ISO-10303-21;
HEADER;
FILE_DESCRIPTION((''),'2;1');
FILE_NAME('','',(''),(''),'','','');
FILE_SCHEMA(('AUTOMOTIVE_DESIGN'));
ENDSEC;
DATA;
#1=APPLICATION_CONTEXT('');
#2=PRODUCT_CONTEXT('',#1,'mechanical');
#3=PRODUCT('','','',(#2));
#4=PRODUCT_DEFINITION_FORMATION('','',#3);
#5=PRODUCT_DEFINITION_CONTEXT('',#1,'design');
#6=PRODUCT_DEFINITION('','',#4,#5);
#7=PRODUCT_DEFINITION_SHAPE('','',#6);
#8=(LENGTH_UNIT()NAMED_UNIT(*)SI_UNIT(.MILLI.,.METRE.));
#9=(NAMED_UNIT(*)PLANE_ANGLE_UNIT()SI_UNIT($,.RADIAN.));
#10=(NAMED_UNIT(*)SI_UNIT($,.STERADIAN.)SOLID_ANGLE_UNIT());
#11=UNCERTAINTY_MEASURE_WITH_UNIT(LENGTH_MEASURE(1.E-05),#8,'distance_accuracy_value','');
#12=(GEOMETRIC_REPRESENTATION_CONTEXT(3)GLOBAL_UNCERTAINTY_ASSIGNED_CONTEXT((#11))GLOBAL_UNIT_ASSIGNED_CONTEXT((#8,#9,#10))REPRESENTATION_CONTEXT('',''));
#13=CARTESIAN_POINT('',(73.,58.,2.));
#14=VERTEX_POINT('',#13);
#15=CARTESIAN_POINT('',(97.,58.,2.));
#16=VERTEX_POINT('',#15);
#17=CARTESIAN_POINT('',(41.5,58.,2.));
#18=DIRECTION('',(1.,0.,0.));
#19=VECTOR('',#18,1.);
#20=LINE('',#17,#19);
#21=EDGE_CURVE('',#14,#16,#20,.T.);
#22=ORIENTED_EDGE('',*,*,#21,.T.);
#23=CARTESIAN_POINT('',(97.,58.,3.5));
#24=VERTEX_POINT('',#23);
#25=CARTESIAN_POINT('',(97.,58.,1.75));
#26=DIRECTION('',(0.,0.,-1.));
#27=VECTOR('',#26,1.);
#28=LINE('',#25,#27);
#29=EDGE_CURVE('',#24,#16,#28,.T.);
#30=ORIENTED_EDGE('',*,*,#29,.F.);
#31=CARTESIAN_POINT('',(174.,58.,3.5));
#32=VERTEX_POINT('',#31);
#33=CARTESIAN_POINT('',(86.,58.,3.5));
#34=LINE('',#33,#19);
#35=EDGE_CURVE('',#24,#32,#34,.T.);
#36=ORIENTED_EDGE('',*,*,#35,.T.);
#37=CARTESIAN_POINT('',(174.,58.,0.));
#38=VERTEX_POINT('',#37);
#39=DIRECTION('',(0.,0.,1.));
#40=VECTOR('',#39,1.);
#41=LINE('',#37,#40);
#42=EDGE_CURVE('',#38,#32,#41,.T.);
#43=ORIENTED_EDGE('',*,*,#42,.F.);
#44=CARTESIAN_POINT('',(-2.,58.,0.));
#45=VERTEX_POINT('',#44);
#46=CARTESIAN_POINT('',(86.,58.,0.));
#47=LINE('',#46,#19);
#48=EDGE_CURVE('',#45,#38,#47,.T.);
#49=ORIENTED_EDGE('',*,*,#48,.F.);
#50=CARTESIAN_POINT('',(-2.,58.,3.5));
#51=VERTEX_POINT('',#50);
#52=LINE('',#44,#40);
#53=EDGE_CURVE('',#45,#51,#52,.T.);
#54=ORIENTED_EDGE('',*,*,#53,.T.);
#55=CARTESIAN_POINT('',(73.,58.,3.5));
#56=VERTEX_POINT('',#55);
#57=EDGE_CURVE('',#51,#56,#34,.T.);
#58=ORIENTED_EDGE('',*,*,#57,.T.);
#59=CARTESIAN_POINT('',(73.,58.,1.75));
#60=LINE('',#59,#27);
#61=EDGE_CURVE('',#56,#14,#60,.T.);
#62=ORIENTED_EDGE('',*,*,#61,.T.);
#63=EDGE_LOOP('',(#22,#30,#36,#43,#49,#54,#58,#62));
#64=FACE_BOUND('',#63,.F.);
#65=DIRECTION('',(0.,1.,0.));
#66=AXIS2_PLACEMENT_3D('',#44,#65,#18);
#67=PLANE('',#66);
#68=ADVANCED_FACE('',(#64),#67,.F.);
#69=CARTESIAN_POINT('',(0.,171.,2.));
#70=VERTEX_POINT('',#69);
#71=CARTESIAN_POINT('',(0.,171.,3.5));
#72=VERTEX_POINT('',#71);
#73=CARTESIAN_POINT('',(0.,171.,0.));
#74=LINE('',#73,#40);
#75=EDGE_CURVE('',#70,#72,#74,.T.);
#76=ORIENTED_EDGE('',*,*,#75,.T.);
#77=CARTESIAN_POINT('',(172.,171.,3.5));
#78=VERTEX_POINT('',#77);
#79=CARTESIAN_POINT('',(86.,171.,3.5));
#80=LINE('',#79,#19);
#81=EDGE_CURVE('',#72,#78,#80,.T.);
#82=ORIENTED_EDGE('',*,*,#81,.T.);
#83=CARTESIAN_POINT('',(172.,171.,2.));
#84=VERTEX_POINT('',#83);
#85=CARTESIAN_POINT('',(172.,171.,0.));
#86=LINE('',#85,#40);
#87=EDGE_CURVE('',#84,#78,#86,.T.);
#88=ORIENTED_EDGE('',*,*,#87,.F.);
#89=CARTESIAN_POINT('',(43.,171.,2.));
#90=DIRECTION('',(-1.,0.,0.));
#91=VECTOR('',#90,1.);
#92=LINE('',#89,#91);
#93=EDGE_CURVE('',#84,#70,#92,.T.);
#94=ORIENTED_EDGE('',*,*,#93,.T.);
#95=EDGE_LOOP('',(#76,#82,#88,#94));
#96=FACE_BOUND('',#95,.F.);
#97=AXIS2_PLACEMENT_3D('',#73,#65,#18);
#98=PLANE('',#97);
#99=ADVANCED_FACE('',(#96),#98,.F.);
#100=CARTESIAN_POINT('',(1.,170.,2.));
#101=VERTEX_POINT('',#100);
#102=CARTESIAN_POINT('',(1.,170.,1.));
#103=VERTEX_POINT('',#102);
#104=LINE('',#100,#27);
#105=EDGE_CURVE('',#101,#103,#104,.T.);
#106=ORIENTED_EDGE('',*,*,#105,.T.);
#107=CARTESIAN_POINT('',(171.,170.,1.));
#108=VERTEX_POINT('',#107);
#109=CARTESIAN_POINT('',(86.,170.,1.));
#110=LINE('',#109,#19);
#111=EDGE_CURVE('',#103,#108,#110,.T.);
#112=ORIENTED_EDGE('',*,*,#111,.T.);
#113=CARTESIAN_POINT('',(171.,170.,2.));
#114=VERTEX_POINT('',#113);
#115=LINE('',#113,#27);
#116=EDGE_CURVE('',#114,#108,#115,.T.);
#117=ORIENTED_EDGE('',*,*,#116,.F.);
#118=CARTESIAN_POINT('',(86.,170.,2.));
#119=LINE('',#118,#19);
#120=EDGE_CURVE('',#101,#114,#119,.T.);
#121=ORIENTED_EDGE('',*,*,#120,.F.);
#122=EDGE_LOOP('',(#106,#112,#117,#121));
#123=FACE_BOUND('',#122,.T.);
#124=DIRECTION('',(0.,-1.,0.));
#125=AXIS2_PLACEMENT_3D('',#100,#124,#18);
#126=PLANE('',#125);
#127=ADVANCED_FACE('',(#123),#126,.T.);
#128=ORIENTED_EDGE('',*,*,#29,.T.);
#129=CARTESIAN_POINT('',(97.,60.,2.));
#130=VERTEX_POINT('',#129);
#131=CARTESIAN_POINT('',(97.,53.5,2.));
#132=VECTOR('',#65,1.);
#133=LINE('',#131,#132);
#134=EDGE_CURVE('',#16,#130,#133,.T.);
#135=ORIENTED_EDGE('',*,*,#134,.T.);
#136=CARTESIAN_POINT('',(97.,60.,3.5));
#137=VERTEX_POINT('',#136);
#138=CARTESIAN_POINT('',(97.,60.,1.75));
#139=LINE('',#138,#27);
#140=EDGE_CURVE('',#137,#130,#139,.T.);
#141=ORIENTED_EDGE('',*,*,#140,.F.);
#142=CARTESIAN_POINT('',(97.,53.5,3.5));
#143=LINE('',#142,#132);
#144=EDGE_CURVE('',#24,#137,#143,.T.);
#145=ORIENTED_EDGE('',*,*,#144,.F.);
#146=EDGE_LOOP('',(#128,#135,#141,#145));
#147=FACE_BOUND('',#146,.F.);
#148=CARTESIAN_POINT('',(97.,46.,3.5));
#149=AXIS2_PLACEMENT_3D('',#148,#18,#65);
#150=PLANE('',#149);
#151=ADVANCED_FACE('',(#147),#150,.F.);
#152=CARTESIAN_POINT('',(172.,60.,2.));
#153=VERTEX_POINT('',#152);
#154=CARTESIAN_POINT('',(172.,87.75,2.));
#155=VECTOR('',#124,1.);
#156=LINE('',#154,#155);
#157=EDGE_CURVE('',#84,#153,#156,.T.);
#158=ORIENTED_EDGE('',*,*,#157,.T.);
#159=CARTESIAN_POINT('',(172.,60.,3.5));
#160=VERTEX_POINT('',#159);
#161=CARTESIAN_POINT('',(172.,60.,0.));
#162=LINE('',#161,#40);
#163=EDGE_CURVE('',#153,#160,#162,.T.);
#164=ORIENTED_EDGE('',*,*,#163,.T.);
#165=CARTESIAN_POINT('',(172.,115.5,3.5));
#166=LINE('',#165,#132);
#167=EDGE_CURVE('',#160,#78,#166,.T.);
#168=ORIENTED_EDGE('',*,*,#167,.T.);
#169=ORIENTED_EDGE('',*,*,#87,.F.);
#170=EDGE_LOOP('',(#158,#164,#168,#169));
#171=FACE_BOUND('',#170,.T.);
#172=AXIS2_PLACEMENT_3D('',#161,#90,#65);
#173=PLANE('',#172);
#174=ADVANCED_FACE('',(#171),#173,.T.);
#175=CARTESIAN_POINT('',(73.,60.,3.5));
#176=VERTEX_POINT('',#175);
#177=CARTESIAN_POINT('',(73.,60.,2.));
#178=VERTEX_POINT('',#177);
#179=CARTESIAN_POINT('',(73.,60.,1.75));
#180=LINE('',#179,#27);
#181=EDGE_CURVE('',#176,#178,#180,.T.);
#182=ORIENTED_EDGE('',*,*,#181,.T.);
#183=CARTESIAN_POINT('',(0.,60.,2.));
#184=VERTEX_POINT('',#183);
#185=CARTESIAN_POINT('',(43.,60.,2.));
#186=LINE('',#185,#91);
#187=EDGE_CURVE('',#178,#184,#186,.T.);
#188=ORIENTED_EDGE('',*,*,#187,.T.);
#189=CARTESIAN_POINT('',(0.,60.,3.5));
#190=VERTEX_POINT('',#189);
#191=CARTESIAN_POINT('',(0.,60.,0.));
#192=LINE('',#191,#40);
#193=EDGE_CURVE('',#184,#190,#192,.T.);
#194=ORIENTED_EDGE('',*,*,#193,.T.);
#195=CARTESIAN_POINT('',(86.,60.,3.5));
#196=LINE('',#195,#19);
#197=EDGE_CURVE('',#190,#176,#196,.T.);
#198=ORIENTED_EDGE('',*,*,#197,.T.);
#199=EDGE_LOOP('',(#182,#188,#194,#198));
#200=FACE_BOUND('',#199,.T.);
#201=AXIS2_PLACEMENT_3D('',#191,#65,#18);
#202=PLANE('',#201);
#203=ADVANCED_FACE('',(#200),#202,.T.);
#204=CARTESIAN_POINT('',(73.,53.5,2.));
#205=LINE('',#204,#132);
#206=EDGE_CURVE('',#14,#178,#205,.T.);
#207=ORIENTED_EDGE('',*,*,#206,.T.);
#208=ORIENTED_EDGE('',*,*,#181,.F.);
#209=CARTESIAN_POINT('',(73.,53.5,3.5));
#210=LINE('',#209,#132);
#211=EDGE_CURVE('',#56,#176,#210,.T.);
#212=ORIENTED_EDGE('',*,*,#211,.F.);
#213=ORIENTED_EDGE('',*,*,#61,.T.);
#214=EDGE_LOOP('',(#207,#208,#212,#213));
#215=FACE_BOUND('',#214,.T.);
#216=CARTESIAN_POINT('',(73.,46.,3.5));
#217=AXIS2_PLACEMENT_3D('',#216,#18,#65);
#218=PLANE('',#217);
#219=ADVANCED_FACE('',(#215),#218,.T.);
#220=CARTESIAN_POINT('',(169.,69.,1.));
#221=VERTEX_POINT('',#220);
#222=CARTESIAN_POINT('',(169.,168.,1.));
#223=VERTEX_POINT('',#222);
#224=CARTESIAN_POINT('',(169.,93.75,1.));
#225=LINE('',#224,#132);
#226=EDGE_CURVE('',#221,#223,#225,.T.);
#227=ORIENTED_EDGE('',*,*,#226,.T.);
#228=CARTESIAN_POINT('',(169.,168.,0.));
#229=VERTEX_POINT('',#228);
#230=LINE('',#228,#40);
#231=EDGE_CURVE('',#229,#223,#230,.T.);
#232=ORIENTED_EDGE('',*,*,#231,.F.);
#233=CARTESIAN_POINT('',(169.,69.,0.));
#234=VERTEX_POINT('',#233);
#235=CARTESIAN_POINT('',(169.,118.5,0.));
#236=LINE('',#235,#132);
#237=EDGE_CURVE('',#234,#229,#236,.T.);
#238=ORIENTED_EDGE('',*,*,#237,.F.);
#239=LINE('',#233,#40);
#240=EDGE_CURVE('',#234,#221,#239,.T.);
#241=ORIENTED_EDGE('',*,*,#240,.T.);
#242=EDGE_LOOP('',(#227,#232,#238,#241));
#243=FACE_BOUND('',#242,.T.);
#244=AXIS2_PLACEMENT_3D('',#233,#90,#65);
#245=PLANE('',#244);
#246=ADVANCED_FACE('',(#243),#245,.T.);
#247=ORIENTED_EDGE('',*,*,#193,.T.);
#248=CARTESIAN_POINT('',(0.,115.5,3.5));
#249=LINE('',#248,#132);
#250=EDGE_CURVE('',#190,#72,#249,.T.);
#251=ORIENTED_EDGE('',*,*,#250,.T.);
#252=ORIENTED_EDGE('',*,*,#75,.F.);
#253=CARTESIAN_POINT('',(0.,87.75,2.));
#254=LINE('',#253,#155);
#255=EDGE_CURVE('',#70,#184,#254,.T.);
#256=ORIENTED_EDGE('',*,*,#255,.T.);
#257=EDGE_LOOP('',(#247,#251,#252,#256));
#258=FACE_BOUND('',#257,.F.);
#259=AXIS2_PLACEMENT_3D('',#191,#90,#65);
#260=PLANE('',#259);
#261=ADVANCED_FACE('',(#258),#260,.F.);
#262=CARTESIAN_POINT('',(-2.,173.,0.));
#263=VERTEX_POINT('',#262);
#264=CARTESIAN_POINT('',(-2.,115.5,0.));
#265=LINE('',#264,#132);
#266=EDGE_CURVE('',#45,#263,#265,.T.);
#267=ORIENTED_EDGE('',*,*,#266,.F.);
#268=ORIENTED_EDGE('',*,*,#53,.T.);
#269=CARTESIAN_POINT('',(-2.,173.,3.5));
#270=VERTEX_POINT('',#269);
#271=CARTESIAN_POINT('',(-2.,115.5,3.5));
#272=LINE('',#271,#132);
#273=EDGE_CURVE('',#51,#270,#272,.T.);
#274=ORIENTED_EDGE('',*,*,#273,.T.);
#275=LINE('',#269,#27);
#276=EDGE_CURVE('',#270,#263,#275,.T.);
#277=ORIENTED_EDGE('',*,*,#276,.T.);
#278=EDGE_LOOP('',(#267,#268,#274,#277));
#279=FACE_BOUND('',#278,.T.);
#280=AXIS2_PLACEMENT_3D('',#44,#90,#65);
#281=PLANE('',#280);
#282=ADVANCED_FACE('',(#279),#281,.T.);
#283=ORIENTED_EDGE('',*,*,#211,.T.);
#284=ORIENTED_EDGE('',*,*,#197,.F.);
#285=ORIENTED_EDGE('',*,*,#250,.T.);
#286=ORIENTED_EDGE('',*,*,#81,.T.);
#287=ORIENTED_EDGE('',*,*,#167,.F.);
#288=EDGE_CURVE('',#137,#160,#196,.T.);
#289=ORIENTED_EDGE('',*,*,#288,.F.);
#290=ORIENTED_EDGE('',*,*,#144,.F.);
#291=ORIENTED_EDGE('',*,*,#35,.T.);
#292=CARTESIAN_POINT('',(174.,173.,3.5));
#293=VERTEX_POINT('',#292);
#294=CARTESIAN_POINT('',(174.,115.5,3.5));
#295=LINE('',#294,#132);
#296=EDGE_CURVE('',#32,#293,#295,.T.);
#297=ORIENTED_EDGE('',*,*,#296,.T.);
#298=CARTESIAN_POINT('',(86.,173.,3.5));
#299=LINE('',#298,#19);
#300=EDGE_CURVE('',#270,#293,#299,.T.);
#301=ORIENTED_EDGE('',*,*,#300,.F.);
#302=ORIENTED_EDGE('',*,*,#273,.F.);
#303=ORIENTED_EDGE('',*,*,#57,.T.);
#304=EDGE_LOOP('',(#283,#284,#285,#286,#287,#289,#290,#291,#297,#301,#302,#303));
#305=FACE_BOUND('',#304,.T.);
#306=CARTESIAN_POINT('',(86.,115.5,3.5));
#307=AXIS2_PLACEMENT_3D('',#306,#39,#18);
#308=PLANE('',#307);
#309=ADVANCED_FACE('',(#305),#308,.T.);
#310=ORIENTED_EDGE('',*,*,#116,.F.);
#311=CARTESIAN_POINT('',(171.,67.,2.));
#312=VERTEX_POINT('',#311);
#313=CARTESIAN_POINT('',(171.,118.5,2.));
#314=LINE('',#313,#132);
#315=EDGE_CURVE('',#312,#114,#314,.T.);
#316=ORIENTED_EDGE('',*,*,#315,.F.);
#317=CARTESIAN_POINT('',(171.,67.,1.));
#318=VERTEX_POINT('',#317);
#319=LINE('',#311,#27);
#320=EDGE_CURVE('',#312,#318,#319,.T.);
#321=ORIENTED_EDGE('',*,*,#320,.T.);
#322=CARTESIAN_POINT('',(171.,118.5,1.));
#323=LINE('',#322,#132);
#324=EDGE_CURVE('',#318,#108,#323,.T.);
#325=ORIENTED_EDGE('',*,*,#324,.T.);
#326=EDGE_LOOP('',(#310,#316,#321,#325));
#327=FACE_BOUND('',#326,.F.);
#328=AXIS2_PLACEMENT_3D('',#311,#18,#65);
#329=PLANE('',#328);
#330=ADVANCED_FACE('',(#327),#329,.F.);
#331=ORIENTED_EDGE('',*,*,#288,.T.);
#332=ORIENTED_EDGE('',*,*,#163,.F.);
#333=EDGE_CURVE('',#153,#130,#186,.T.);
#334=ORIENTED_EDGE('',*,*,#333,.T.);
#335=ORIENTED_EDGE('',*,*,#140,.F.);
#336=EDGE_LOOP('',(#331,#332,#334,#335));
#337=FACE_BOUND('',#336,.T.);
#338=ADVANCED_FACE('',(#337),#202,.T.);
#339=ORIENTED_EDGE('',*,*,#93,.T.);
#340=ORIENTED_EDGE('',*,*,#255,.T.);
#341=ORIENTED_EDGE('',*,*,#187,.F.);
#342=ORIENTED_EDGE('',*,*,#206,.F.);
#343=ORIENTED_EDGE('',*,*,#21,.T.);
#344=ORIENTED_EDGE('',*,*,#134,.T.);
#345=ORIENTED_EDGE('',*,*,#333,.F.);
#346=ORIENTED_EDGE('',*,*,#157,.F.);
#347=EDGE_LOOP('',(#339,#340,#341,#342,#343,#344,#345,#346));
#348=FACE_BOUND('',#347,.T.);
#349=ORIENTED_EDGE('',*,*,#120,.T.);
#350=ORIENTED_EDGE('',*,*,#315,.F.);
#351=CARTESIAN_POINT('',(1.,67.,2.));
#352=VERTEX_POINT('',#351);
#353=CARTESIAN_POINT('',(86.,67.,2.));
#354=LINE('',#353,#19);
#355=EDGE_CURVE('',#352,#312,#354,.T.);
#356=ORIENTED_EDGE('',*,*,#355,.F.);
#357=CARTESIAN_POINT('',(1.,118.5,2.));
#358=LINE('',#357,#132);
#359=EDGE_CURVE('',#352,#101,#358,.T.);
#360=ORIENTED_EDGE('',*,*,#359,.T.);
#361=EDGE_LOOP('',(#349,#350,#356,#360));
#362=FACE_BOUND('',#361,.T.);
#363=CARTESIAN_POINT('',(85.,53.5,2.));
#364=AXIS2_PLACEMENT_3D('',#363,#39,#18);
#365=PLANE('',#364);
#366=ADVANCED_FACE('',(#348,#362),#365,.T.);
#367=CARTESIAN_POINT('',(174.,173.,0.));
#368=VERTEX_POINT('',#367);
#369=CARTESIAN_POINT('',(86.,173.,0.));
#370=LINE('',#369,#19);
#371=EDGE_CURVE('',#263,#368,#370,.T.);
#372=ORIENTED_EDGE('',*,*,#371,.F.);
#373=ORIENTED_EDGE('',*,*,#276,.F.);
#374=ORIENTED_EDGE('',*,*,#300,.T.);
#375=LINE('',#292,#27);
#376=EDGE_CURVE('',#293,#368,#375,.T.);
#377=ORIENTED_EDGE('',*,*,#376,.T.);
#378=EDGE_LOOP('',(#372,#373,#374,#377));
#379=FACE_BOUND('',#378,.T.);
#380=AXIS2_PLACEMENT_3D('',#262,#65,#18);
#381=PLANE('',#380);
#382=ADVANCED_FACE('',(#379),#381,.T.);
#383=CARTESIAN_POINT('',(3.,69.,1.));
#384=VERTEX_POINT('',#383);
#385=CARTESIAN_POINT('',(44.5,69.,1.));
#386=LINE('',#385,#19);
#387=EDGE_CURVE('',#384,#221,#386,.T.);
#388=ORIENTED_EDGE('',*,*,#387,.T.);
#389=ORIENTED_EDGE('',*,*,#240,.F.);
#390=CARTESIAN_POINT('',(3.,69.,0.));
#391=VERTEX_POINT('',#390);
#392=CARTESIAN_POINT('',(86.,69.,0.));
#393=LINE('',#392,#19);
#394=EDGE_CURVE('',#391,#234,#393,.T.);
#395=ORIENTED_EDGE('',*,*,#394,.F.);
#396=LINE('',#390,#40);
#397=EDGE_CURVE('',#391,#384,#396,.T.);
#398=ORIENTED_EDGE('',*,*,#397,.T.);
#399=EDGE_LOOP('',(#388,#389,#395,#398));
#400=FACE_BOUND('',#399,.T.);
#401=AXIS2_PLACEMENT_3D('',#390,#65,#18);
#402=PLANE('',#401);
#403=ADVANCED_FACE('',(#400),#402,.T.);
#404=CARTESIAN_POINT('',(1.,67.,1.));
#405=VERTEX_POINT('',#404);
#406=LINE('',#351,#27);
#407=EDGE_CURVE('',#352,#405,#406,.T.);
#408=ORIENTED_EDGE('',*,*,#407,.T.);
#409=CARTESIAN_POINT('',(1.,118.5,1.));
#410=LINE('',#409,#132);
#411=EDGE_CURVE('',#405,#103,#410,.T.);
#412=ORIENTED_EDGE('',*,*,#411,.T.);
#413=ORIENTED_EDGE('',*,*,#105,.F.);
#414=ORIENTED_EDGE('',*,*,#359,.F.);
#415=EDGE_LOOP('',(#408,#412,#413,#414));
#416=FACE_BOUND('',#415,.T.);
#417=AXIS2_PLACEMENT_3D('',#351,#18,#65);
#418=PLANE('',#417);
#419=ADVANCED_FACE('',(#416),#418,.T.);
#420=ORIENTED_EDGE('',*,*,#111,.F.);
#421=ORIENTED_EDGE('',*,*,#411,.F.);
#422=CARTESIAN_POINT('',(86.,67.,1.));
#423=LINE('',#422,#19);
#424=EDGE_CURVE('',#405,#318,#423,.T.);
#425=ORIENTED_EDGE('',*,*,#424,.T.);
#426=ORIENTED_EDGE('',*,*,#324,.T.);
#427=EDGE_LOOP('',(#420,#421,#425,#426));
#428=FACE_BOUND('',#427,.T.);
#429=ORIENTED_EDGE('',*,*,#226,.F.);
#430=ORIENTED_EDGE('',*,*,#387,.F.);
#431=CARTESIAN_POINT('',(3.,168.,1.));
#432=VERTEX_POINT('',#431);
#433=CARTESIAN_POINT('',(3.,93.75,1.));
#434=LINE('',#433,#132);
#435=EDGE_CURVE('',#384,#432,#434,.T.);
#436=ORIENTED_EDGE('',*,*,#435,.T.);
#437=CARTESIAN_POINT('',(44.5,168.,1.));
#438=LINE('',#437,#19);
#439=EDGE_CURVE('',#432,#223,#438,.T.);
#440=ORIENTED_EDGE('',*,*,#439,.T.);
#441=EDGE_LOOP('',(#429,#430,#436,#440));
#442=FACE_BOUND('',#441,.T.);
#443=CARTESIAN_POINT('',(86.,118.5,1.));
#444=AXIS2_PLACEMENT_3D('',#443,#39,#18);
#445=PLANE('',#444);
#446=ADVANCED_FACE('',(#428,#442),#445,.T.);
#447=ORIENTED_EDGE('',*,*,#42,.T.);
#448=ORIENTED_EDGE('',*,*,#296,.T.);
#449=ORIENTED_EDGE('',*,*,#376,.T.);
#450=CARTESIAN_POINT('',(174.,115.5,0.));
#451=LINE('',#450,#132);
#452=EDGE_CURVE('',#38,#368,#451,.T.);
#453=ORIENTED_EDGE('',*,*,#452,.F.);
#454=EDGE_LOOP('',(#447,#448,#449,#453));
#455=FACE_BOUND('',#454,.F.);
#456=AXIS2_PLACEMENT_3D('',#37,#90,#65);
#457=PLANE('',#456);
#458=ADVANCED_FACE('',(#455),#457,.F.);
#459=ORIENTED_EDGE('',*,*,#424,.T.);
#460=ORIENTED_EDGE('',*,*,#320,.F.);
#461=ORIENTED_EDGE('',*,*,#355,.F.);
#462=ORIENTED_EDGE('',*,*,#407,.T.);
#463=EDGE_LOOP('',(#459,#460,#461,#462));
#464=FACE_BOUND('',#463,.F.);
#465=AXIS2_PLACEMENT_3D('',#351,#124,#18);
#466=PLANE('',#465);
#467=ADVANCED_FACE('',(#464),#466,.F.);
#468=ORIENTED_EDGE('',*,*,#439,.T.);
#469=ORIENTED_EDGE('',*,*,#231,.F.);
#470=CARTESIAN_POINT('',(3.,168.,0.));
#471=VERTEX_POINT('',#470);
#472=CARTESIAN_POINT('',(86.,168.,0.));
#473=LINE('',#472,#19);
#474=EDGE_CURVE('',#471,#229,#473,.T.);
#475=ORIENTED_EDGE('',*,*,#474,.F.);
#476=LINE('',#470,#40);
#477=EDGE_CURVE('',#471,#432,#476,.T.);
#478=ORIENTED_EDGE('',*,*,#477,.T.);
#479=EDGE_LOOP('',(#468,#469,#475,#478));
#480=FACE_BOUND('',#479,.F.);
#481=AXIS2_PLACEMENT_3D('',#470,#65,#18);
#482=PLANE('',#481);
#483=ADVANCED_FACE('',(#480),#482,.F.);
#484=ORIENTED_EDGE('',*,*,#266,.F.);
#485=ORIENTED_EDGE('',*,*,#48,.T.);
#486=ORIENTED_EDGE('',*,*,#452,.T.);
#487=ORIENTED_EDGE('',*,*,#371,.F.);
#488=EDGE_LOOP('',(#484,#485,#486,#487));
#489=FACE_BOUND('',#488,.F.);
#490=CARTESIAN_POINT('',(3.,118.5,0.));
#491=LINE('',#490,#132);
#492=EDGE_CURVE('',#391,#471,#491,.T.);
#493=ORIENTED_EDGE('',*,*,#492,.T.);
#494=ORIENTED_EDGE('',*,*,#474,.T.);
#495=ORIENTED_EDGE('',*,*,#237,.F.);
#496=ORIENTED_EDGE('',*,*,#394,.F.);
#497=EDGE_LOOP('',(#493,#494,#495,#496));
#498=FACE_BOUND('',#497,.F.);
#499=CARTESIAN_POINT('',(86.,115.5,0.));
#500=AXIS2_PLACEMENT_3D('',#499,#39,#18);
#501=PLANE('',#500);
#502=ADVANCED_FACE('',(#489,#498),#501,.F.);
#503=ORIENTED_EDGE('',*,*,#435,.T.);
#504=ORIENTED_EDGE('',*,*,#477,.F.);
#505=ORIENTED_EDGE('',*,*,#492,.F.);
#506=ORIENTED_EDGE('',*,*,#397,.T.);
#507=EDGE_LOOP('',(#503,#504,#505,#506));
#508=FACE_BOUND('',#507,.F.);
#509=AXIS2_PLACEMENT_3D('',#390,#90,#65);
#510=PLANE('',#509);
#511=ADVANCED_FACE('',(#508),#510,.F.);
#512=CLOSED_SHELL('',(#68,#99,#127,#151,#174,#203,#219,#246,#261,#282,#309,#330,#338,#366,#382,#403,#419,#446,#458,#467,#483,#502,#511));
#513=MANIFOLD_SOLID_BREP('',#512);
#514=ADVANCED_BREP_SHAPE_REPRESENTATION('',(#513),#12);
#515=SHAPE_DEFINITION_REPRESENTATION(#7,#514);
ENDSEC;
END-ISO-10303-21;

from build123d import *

# Parameters (mm, degrees)
SKETCH025_W     = 176
SKETCH025_H     = 115
SKETCH025_W_2   = 166
SKETCH025_H_2   = 99
PAD009_DEPTH    = 2
SKETCH026_W     = 170
SKETCH026_H     = 103
POCKET012_DEPTH = 1
SKETCH027_W     = 176
SKETCH027_H     = 115
SKETCH027_W_2   = 172
SKETCH027_H_2   = 111
PAD010_DEPTH    = 3.5
SKETCH028_W     = 24
SKETCH028_H     = 15
POCKET013_DEPTH = 1.5


with BuildPart() as part:
    # Sketch025 → Pad009 (new body)
    with BuildSketch(Plane.XY):
        with Locations((86, 115.5)):
            Rectangle(SKETCH025_W, SKETCH025_H)
        with Locations((86, 118.5)):
            Rectangle(SKETCH025_W_2, SKETCH025_H_2, mode=Mode.SUBTRACT)
    extrude(amount=PAD009_DEPTH)

    # Sketch026 → Pocket012 (cut)
    with BuildSketch(Plane.XY.offset(2)):
        with Locations((86, 118.5)):
            Rectangle(SKETCH026_W, SKETCH026_H)
    extrude(amount=-POCKET012_DEPTH, mode=Mode.SUBTRACT)

    # Sketch027 → Pad010 (join)
    with BuildSketch(Plane.XY):
        with Locations((86, 115.5)):
            Rectangle(SKETCH027_W, SKETCH027_H)
        with Locations((86, 115.5)):
            Rectangle(SKETCH027_W_2, SKETCH027_H_2, mode=Mode.SUBTRACT)
    extrude(amount=PAD010_DEPTH)

    # Sketch028 → Pocket013 (cut)
    with BuildSketch(Plane.XY.offset(3.5)):
        with Locations((85, 53.5)):
            Rectangle(SKETCH028_W, SKETCH028_H)
    extrude(amount=-POCKET013_DEPTH, mode=Mode.SUBTRACT)


solid = part.part
